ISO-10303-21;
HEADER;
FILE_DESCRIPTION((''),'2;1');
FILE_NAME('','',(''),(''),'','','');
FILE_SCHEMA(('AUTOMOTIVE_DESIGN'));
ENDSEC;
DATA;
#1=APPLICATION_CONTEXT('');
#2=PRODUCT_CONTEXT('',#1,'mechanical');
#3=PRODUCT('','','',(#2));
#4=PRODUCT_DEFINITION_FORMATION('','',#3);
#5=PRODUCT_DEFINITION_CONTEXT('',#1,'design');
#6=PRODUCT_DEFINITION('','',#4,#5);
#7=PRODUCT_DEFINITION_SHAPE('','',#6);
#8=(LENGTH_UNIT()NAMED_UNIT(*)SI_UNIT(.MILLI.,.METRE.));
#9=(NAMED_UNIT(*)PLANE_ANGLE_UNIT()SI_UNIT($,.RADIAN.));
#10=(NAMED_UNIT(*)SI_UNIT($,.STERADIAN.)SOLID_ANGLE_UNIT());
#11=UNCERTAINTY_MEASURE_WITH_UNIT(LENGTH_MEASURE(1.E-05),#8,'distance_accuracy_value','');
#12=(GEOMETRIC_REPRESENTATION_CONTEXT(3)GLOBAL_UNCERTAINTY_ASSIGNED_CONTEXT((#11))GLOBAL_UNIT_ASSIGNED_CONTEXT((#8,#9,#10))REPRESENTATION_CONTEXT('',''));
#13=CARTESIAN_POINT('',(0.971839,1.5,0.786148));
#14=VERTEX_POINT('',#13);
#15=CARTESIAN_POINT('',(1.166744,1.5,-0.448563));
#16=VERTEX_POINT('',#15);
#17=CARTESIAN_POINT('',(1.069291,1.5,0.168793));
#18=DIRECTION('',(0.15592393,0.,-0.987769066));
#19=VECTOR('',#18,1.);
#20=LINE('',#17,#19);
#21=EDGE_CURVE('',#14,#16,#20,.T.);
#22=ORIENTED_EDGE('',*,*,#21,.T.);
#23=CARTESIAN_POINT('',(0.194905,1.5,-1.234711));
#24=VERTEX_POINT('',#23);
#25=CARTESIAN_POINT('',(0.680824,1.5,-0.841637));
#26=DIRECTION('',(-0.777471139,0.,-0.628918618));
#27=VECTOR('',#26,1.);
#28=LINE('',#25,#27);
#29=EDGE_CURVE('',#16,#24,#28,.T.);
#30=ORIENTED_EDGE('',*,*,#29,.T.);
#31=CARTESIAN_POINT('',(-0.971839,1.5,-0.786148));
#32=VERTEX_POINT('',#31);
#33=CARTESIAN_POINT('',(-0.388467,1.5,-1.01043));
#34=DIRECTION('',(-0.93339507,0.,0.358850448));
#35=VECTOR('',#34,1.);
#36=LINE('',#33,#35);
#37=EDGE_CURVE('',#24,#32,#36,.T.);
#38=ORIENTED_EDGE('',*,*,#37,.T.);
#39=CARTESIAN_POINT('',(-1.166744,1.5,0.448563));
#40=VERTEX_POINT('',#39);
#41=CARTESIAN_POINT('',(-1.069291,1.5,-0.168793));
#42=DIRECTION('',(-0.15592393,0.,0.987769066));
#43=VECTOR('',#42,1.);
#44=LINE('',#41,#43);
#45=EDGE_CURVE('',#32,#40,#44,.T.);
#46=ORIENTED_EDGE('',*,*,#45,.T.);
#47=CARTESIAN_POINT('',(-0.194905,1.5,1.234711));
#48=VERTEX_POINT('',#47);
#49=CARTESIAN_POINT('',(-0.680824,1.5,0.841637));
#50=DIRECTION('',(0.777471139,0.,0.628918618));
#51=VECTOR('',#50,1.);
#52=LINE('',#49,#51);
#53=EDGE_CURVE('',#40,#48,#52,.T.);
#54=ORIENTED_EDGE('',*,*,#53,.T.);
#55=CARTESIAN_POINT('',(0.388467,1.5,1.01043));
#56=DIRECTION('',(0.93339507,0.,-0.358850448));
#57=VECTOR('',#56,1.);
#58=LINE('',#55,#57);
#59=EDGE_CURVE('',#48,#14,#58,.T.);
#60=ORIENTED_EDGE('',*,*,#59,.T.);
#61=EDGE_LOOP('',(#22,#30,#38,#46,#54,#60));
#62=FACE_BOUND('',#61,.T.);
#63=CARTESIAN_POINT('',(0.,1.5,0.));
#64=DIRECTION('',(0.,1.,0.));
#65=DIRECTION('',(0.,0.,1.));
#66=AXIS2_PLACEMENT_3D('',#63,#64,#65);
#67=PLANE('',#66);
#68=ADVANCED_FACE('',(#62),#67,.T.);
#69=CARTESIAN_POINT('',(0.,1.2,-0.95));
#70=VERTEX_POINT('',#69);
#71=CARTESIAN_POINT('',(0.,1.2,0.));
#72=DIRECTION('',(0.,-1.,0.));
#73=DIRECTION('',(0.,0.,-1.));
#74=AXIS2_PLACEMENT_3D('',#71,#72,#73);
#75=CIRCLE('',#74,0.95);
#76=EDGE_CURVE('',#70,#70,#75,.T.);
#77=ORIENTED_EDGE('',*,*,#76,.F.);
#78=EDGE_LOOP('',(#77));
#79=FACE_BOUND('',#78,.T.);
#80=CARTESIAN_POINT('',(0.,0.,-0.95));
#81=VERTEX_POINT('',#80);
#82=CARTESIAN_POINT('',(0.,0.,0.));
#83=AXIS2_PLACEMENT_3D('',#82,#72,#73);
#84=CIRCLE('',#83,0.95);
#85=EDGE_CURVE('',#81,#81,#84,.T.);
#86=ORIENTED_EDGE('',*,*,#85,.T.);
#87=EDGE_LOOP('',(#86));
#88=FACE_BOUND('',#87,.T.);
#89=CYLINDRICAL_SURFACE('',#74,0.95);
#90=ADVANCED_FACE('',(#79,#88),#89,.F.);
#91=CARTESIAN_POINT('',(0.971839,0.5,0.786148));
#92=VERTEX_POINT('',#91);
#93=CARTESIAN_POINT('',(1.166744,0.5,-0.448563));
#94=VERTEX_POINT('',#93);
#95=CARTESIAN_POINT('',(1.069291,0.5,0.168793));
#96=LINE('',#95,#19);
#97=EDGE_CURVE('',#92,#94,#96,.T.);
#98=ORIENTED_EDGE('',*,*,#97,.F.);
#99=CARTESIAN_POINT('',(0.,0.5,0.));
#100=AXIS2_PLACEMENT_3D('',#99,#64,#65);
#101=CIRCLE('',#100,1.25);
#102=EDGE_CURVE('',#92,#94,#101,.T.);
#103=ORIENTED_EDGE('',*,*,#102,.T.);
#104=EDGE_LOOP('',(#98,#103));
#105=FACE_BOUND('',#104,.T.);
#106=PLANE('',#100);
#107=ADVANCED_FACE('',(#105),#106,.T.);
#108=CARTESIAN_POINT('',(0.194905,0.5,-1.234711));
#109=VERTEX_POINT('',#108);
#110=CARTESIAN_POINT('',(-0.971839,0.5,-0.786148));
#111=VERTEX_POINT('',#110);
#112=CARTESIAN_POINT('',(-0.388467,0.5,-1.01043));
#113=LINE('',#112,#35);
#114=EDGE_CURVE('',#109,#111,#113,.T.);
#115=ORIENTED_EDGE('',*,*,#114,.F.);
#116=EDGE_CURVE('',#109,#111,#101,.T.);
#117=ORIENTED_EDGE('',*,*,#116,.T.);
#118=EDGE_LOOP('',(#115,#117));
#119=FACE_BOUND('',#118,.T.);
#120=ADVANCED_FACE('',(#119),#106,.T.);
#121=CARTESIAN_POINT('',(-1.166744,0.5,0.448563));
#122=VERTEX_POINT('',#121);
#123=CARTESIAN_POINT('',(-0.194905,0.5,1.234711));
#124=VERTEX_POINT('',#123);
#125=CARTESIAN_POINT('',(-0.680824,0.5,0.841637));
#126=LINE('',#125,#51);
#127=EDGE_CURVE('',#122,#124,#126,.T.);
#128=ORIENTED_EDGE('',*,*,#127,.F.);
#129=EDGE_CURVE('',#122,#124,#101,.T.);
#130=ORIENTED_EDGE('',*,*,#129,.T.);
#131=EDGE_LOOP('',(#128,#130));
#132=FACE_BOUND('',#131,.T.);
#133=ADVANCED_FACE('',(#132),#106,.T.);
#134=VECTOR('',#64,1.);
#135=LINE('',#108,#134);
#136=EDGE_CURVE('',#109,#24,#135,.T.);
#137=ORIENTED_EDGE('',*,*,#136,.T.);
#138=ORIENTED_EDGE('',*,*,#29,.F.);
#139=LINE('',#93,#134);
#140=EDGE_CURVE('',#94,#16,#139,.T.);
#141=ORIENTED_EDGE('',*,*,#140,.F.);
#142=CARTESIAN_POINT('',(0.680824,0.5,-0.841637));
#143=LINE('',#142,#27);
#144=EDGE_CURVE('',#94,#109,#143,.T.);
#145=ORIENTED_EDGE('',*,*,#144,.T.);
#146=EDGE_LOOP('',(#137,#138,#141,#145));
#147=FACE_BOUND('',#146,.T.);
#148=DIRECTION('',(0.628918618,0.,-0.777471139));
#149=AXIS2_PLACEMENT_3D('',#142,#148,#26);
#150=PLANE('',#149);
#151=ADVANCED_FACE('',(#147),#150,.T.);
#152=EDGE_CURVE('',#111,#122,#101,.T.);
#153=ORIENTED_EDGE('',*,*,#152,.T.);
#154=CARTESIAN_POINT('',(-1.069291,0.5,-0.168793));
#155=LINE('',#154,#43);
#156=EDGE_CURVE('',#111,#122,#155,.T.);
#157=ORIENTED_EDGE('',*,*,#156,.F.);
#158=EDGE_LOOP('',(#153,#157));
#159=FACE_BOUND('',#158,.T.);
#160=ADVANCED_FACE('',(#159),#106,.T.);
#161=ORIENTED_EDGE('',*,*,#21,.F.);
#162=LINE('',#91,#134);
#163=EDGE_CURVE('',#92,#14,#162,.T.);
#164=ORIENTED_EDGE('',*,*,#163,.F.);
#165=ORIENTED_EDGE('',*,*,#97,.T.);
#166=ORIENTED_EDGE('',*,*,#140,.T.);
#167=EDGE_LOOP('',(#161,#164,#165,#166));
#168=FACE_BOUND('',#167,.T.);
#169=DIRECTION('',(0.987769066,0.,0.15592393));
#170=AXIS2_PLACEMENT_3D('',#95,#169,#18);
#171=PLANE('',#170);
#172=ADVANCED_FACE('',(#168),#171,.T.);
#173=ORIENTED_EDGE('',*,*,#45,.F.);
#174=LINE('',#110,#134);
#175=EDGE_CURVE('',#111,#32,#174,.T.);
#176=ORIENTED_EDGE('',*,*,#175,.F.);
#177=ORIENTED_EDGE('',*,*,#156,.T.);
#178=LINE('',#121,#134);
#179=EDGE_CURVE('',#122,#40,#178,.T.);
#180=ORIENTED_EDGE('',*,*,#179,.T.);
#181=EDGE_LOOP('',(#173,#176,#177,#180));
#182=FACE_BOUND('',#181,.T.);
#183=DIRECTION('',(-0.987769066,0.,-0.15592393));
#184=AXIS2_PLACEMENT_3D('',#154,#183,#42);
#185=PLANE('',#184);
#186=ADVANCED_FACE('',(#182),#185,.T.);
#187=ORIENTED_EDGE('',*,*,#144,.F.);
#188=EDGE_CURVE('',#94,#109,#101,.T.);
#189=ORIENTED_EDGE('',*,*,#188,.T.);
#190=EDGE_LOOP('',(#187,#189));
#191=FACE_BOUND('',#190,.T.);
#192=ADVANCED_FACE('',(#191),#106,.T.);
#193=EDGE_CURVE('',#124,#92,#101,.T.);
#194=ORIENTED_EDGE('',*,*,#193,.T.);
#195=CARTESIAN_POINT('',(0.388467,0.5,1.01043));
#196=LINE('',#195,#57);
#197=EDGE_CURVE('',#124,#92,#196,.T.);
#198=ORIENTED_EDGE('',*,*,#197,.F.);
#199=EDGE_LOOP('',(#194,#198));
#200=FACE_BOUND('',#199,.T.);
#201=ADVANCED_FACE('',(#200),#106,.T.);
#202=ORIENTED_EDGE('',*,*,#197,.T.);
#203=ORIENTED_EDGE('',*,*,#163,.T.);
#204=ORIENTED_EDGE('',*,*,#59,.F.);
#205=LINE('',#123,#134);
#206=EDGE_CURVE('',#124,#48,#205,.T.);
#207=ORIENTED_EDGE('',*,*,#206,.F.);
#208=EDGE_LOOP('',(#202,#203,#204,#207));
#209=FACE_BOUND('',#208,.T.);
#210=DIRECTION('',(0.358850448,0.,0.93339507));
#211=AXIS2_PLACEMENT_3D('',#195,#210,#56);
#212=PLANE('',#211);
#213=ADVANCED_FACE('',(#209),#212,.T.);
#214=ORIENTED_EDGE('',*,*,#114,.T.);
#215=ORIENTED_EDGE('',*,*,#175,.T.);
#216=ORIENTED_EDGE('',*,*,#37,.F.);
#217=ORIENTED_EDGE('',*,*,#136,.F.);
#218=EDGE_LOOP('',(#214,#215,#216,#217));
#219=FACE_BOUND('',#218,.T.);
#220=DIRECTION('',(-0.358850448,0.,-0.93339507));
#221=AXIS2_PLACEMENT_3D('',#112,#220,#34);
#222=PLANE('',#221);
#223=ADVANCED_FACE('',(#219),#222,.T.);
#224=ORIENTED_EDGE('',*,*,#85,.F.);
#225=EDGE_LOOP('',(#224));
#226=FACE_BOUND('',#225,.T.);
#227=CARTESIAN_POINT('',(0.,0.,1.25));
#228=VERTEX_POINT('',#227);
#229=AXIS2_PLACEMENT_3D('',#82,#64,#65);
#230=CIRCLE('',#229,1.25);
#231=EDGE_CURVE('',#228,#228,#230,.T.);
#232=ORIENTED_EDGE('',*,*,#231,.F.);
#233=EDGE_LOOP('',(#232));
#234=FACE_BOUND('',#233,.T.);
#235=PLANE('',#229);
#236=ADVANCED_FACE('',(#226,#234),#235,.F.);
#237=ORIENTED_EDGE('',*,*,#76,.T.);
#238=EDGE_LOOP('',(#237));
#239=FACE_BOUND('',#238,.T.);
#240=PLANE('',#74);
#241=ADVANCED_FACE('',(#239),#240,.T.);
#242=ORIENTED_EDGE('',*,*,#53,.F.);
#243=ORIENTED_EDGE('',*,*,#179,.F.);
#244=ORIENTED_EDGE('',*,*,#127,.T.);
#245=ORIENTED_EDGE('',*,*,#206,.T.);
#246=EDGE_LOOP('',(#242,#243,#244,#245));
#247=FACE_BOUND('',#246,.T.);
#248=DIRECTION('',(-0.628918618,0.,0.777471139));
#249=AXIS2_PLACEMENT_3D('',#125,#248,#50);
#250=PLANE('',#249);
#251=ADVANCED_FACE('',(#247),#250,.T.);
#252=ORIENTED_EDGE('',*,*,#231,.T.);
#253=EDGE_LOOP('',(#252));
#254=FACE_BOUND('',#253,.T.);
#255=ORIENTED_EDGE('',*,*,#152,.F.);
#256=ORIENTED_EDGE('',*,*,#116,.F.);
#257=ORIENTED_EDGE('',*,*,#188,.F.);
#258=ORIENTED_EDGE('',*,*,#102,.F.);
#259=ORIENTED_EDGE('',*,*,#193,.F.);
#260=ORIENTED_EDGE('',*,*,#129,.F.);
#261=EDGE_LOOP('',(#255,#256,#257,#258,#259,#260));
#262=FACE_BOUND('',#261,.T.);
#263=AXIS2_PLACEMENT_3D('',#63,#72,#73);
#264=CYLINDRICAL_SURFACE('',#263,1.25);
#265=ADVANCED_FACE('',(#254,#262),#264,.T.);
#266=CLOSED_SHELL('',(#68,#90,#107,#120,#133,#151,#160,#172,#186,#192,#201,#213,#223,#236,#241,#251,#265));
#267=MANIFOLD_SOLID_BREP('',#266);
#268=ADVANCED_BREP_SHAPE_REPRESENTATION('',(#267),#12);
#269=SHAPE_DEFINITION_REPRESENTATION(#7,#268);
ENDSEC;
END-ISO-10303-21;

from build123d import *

# Parameters (mm, degrees)
SKETCH_1_R          = 1.25
EXTRUDE_1_DEPTH     = 1.5
SKETCH_2_R          = 0.95
CUT_EXTRUDE_1_DEPTH = 1.2
CUT_EXTRUDE_START   = -1
CUT_EXTRUDE_2_DEPTH = 1


with BuildPart() as part:
    # Эскиз1 → Бобышка-Вытянуть1 (new body)
    with BuildSketch(Plane(origin=(0, 0, 0), x_dir=(1, 0, 0), z_dir=(0, 1, 0))):
        with Locations(Location((0, 0, 0), (0, 0, 270))):
            Circle(SKETCH_1_R)
    extrude(amount=EXTRUDE_1_DEPTH)

    # Эскиз2 → Вырез-Вытянуть1 (cut)
    with BuildSketch(Plane.XZ):
        with Locations(Location((0, 0, 0), (0, 0, 270))):
            Circle(SKETCH_2_R)
    extrude(amount=-CUT_EXTRUDE_1_DEPTH, mode=Mode.SUBTRACT)

    # Эскиз3 → Вырез-Вытянуть2 (cut)
    with BuildSketch(Plane(origin=(0, 1.5, 0), x_dir=(1, 0, 0), z_dir=(0, 1, 0)).offset(CUT_EXTRUDE_START)):
        with BuildLine():
            ThreePointArc((-0.194904913, -1.234711333), (0.44856306, -1.166743837), (0.971838924, -0.786148272))
            Line((0.971838924, -0.786148272), (-0.194904913, -1.234711333))
        make_face()
        with BuildLine():
            ThreePointArc((-1.166743837, -0.44856306), (-0.786148272, -0.971838924), (-0.194904913, -1.234711333))
            Line((-0.194904913, -1.234711333), (-1.166743837, -0.44856306))
        make_face()
        with BuildLine():
            ThreePointArc((-0.971838924, 0.786148272), (-1.234711333, 0.194904913), (-1.166743837, -0.44856306))
            Line((-1.166743837, -0.44856306), (-0.971838924, 0.786148272))
        make_face()
        with BuildLine():
            Line((-0.971838924, 0.786148272), (0.194904913, 1.234711333))
            ThreePointArc((0.194904913, 1.234711333), (-0.44856306, 1.166743837), (-0.971838924, 0.786148272))
        make_face()
        with BuildLine():
            Line((0.194904913, 1.234711333), (1.166743837, 0.44856306))
            ThreePointArc((1.166743837, 0.44856306), (0.786148272, 0.971838924), (0.194904913, 1.234711333))
        make_face()
        with BuildLine():
            Line((1.166743837, 0.44856306), (0.971838924, -0.786148272))
            ThreePointArc((0.971838924, -0.786148272), (1.17840966, -0.416954041), (1.25, 0))
            ThreePointArc((1.25, 0), (1.229009723, 0.228112038), (1.166743837, 0.44856306))
        make_face()
    extrude(amount=CUT_EXTRUDE_2_DEPTH, mode=Mode.SUBTRACT)


solid = part.part
